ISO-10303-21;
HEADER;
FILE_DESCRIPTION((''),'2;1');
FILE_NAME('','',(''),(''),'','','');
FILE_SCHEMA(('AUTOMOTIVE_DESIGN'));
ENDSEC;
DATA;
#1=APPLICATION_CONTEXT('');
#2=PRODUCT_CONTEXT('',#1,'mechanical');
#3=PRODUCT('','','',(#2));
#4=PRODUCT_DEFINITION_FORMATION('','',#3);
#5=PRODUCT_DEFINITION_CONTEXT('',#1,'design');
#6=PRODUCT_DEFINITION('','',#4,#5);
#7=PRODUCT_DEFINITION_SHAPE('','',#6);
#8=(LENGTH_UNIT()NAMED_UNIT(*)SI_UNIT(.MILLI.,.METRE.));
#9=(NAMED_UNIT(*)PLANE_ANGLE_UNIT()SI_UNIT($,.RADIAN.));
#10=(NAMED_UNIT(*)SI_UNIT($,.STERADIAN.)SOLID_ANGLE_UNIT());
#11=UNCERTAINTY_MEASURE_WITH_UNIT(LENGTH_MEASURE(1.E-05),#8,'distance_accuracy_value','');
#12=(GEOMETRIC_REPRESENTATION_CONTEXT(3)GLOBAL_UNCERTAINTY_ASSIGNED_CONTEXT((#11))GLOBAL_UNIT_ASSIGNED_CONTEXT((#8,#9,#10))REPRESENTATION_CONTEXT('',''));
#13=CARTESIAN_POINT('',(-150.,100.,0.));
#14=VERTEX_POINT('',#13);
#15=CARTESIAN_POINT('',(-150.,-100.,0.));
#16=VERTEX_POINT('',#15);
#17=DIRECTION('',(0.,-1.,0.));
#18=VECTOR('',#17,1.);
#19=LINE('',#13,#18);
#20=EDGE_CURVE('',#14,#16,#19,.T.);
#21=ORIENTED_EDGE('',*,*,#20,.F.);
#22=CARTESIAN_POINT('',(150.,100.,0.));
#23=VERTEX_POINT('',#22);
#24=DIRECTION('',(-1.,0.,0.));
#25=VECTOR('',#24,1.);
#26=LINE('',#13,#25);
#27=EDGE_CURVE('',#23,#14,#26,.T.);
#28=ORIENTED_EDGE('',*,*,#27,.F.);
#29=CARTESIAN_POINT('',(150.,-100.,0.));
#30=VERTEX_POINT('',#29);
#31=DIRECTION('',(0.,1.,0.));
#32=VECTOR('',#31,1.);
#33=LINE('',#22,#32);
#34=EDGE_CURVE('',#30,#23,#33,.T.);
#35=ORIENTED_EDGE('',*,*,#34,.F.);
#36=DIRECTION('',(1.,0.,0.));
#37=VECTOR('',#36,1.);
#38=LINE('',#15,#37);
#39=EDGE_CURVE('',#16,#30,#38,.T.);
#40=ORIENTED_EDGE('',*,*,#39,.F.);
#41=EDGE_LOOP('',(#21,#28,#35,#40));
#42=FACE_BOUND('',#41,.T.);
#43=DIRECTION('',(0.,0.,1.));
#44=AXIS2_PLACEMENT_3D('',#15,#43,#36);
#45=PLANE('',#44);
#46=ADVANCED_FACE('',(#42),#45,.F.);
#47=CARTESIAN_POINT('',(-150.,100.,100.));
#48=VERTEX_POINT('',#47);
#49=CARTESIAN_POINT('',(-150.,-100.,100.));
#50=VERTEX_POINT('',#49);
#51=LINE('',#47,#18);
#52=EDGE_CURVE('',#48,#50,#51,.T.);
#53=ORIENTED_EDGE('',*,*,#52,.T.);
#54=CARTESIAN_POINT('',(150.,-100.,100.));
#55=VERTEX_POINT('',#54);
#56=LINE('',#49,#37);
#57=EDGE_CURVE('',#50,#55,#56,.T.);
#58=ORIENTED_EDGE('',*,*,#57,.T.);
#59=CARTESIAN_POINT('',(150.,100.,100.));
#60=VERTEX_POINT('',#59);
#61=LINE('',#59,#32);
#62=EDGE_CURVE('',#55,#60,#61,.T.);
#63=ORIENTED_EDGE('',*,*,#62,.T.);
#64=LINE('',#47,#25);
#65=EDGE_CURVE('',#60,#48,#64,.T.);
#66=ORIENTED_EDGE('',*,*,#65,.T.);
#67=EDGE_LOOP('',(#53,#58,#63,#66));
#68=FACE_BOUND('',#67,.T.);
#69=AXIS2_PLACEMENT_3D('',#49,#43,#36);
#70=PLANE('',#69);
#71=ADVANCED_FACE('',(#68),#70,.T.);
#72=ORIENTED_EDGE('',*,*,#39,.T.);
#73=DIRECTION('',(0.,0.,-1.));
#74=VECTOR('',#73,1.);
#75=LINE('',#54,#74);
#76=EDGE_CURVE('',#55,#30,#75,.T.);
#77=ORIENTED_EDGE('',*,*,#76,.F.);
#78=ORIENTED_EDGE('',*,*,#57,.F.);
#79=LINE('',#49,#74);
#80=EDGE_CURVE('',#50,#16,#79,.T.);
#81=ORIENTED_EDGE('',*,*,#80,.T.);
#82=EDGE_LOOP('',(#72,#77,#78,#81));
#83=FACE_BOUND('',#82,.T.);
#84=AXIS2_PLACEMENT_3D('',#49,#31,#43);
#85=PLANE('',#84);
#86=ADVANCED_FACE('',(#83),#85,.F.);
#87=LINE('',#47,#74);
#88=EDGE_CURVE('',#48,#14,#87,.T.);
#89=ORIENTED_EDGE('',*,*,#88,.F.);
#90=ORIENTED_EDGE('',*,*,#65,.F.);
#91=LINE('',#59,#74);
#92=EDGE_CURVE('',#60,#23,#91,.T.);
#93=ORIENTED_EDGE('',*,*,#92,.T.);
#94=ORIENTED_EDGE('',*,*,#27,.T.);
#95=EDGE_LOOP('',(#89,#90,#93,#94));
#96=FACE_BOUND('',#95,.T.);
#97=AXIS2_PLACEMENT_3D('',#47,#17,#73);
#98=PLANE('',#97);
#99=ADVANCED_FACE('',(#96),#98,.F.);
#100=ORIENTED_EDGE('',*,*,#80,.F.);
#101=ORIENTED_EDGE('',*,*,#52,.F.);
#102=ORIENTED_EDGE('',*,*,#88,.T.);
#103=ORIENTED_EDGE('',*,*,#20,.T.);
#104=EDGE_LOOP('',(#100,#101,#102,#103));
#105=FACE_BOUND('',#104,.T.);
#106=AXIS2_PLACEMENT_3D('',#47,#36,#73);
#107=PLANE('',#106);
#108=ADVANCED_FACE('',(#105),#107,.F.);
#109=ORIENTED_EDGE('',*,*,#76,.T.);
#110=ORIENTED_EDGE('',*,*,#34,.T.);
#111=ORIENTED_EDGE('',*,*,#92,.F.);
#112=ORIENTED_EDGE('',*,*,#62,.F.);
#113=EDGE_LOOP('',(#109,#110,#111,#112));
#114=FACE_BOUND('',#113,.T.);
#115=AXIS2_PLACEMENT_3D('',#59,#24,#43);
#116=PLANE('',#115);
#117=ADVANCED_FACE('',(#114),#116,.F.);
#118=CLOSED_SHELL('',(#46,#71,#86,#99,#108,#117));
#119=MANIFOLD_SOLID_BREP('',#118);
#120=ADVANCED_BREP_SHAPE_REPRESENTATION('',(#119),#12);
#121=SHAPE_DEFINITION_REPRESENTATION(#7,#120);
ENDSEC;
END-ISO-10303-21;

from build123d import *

# Parameters (mm, degrees)
SKETCH1_W      = 300
SKETCH1_H      = 200
EXTRUDE1_DEPTH = 100


with BuildPart() as part:
    # Sketch1 → Extrude1 (new body)
    with BuildSketch(Plane.XY):
        Rectangle(SKETCH1_W, SKETCH1_H)
    extrude(amount=EXTRUDE1_DEPTH)


solid = part.part
